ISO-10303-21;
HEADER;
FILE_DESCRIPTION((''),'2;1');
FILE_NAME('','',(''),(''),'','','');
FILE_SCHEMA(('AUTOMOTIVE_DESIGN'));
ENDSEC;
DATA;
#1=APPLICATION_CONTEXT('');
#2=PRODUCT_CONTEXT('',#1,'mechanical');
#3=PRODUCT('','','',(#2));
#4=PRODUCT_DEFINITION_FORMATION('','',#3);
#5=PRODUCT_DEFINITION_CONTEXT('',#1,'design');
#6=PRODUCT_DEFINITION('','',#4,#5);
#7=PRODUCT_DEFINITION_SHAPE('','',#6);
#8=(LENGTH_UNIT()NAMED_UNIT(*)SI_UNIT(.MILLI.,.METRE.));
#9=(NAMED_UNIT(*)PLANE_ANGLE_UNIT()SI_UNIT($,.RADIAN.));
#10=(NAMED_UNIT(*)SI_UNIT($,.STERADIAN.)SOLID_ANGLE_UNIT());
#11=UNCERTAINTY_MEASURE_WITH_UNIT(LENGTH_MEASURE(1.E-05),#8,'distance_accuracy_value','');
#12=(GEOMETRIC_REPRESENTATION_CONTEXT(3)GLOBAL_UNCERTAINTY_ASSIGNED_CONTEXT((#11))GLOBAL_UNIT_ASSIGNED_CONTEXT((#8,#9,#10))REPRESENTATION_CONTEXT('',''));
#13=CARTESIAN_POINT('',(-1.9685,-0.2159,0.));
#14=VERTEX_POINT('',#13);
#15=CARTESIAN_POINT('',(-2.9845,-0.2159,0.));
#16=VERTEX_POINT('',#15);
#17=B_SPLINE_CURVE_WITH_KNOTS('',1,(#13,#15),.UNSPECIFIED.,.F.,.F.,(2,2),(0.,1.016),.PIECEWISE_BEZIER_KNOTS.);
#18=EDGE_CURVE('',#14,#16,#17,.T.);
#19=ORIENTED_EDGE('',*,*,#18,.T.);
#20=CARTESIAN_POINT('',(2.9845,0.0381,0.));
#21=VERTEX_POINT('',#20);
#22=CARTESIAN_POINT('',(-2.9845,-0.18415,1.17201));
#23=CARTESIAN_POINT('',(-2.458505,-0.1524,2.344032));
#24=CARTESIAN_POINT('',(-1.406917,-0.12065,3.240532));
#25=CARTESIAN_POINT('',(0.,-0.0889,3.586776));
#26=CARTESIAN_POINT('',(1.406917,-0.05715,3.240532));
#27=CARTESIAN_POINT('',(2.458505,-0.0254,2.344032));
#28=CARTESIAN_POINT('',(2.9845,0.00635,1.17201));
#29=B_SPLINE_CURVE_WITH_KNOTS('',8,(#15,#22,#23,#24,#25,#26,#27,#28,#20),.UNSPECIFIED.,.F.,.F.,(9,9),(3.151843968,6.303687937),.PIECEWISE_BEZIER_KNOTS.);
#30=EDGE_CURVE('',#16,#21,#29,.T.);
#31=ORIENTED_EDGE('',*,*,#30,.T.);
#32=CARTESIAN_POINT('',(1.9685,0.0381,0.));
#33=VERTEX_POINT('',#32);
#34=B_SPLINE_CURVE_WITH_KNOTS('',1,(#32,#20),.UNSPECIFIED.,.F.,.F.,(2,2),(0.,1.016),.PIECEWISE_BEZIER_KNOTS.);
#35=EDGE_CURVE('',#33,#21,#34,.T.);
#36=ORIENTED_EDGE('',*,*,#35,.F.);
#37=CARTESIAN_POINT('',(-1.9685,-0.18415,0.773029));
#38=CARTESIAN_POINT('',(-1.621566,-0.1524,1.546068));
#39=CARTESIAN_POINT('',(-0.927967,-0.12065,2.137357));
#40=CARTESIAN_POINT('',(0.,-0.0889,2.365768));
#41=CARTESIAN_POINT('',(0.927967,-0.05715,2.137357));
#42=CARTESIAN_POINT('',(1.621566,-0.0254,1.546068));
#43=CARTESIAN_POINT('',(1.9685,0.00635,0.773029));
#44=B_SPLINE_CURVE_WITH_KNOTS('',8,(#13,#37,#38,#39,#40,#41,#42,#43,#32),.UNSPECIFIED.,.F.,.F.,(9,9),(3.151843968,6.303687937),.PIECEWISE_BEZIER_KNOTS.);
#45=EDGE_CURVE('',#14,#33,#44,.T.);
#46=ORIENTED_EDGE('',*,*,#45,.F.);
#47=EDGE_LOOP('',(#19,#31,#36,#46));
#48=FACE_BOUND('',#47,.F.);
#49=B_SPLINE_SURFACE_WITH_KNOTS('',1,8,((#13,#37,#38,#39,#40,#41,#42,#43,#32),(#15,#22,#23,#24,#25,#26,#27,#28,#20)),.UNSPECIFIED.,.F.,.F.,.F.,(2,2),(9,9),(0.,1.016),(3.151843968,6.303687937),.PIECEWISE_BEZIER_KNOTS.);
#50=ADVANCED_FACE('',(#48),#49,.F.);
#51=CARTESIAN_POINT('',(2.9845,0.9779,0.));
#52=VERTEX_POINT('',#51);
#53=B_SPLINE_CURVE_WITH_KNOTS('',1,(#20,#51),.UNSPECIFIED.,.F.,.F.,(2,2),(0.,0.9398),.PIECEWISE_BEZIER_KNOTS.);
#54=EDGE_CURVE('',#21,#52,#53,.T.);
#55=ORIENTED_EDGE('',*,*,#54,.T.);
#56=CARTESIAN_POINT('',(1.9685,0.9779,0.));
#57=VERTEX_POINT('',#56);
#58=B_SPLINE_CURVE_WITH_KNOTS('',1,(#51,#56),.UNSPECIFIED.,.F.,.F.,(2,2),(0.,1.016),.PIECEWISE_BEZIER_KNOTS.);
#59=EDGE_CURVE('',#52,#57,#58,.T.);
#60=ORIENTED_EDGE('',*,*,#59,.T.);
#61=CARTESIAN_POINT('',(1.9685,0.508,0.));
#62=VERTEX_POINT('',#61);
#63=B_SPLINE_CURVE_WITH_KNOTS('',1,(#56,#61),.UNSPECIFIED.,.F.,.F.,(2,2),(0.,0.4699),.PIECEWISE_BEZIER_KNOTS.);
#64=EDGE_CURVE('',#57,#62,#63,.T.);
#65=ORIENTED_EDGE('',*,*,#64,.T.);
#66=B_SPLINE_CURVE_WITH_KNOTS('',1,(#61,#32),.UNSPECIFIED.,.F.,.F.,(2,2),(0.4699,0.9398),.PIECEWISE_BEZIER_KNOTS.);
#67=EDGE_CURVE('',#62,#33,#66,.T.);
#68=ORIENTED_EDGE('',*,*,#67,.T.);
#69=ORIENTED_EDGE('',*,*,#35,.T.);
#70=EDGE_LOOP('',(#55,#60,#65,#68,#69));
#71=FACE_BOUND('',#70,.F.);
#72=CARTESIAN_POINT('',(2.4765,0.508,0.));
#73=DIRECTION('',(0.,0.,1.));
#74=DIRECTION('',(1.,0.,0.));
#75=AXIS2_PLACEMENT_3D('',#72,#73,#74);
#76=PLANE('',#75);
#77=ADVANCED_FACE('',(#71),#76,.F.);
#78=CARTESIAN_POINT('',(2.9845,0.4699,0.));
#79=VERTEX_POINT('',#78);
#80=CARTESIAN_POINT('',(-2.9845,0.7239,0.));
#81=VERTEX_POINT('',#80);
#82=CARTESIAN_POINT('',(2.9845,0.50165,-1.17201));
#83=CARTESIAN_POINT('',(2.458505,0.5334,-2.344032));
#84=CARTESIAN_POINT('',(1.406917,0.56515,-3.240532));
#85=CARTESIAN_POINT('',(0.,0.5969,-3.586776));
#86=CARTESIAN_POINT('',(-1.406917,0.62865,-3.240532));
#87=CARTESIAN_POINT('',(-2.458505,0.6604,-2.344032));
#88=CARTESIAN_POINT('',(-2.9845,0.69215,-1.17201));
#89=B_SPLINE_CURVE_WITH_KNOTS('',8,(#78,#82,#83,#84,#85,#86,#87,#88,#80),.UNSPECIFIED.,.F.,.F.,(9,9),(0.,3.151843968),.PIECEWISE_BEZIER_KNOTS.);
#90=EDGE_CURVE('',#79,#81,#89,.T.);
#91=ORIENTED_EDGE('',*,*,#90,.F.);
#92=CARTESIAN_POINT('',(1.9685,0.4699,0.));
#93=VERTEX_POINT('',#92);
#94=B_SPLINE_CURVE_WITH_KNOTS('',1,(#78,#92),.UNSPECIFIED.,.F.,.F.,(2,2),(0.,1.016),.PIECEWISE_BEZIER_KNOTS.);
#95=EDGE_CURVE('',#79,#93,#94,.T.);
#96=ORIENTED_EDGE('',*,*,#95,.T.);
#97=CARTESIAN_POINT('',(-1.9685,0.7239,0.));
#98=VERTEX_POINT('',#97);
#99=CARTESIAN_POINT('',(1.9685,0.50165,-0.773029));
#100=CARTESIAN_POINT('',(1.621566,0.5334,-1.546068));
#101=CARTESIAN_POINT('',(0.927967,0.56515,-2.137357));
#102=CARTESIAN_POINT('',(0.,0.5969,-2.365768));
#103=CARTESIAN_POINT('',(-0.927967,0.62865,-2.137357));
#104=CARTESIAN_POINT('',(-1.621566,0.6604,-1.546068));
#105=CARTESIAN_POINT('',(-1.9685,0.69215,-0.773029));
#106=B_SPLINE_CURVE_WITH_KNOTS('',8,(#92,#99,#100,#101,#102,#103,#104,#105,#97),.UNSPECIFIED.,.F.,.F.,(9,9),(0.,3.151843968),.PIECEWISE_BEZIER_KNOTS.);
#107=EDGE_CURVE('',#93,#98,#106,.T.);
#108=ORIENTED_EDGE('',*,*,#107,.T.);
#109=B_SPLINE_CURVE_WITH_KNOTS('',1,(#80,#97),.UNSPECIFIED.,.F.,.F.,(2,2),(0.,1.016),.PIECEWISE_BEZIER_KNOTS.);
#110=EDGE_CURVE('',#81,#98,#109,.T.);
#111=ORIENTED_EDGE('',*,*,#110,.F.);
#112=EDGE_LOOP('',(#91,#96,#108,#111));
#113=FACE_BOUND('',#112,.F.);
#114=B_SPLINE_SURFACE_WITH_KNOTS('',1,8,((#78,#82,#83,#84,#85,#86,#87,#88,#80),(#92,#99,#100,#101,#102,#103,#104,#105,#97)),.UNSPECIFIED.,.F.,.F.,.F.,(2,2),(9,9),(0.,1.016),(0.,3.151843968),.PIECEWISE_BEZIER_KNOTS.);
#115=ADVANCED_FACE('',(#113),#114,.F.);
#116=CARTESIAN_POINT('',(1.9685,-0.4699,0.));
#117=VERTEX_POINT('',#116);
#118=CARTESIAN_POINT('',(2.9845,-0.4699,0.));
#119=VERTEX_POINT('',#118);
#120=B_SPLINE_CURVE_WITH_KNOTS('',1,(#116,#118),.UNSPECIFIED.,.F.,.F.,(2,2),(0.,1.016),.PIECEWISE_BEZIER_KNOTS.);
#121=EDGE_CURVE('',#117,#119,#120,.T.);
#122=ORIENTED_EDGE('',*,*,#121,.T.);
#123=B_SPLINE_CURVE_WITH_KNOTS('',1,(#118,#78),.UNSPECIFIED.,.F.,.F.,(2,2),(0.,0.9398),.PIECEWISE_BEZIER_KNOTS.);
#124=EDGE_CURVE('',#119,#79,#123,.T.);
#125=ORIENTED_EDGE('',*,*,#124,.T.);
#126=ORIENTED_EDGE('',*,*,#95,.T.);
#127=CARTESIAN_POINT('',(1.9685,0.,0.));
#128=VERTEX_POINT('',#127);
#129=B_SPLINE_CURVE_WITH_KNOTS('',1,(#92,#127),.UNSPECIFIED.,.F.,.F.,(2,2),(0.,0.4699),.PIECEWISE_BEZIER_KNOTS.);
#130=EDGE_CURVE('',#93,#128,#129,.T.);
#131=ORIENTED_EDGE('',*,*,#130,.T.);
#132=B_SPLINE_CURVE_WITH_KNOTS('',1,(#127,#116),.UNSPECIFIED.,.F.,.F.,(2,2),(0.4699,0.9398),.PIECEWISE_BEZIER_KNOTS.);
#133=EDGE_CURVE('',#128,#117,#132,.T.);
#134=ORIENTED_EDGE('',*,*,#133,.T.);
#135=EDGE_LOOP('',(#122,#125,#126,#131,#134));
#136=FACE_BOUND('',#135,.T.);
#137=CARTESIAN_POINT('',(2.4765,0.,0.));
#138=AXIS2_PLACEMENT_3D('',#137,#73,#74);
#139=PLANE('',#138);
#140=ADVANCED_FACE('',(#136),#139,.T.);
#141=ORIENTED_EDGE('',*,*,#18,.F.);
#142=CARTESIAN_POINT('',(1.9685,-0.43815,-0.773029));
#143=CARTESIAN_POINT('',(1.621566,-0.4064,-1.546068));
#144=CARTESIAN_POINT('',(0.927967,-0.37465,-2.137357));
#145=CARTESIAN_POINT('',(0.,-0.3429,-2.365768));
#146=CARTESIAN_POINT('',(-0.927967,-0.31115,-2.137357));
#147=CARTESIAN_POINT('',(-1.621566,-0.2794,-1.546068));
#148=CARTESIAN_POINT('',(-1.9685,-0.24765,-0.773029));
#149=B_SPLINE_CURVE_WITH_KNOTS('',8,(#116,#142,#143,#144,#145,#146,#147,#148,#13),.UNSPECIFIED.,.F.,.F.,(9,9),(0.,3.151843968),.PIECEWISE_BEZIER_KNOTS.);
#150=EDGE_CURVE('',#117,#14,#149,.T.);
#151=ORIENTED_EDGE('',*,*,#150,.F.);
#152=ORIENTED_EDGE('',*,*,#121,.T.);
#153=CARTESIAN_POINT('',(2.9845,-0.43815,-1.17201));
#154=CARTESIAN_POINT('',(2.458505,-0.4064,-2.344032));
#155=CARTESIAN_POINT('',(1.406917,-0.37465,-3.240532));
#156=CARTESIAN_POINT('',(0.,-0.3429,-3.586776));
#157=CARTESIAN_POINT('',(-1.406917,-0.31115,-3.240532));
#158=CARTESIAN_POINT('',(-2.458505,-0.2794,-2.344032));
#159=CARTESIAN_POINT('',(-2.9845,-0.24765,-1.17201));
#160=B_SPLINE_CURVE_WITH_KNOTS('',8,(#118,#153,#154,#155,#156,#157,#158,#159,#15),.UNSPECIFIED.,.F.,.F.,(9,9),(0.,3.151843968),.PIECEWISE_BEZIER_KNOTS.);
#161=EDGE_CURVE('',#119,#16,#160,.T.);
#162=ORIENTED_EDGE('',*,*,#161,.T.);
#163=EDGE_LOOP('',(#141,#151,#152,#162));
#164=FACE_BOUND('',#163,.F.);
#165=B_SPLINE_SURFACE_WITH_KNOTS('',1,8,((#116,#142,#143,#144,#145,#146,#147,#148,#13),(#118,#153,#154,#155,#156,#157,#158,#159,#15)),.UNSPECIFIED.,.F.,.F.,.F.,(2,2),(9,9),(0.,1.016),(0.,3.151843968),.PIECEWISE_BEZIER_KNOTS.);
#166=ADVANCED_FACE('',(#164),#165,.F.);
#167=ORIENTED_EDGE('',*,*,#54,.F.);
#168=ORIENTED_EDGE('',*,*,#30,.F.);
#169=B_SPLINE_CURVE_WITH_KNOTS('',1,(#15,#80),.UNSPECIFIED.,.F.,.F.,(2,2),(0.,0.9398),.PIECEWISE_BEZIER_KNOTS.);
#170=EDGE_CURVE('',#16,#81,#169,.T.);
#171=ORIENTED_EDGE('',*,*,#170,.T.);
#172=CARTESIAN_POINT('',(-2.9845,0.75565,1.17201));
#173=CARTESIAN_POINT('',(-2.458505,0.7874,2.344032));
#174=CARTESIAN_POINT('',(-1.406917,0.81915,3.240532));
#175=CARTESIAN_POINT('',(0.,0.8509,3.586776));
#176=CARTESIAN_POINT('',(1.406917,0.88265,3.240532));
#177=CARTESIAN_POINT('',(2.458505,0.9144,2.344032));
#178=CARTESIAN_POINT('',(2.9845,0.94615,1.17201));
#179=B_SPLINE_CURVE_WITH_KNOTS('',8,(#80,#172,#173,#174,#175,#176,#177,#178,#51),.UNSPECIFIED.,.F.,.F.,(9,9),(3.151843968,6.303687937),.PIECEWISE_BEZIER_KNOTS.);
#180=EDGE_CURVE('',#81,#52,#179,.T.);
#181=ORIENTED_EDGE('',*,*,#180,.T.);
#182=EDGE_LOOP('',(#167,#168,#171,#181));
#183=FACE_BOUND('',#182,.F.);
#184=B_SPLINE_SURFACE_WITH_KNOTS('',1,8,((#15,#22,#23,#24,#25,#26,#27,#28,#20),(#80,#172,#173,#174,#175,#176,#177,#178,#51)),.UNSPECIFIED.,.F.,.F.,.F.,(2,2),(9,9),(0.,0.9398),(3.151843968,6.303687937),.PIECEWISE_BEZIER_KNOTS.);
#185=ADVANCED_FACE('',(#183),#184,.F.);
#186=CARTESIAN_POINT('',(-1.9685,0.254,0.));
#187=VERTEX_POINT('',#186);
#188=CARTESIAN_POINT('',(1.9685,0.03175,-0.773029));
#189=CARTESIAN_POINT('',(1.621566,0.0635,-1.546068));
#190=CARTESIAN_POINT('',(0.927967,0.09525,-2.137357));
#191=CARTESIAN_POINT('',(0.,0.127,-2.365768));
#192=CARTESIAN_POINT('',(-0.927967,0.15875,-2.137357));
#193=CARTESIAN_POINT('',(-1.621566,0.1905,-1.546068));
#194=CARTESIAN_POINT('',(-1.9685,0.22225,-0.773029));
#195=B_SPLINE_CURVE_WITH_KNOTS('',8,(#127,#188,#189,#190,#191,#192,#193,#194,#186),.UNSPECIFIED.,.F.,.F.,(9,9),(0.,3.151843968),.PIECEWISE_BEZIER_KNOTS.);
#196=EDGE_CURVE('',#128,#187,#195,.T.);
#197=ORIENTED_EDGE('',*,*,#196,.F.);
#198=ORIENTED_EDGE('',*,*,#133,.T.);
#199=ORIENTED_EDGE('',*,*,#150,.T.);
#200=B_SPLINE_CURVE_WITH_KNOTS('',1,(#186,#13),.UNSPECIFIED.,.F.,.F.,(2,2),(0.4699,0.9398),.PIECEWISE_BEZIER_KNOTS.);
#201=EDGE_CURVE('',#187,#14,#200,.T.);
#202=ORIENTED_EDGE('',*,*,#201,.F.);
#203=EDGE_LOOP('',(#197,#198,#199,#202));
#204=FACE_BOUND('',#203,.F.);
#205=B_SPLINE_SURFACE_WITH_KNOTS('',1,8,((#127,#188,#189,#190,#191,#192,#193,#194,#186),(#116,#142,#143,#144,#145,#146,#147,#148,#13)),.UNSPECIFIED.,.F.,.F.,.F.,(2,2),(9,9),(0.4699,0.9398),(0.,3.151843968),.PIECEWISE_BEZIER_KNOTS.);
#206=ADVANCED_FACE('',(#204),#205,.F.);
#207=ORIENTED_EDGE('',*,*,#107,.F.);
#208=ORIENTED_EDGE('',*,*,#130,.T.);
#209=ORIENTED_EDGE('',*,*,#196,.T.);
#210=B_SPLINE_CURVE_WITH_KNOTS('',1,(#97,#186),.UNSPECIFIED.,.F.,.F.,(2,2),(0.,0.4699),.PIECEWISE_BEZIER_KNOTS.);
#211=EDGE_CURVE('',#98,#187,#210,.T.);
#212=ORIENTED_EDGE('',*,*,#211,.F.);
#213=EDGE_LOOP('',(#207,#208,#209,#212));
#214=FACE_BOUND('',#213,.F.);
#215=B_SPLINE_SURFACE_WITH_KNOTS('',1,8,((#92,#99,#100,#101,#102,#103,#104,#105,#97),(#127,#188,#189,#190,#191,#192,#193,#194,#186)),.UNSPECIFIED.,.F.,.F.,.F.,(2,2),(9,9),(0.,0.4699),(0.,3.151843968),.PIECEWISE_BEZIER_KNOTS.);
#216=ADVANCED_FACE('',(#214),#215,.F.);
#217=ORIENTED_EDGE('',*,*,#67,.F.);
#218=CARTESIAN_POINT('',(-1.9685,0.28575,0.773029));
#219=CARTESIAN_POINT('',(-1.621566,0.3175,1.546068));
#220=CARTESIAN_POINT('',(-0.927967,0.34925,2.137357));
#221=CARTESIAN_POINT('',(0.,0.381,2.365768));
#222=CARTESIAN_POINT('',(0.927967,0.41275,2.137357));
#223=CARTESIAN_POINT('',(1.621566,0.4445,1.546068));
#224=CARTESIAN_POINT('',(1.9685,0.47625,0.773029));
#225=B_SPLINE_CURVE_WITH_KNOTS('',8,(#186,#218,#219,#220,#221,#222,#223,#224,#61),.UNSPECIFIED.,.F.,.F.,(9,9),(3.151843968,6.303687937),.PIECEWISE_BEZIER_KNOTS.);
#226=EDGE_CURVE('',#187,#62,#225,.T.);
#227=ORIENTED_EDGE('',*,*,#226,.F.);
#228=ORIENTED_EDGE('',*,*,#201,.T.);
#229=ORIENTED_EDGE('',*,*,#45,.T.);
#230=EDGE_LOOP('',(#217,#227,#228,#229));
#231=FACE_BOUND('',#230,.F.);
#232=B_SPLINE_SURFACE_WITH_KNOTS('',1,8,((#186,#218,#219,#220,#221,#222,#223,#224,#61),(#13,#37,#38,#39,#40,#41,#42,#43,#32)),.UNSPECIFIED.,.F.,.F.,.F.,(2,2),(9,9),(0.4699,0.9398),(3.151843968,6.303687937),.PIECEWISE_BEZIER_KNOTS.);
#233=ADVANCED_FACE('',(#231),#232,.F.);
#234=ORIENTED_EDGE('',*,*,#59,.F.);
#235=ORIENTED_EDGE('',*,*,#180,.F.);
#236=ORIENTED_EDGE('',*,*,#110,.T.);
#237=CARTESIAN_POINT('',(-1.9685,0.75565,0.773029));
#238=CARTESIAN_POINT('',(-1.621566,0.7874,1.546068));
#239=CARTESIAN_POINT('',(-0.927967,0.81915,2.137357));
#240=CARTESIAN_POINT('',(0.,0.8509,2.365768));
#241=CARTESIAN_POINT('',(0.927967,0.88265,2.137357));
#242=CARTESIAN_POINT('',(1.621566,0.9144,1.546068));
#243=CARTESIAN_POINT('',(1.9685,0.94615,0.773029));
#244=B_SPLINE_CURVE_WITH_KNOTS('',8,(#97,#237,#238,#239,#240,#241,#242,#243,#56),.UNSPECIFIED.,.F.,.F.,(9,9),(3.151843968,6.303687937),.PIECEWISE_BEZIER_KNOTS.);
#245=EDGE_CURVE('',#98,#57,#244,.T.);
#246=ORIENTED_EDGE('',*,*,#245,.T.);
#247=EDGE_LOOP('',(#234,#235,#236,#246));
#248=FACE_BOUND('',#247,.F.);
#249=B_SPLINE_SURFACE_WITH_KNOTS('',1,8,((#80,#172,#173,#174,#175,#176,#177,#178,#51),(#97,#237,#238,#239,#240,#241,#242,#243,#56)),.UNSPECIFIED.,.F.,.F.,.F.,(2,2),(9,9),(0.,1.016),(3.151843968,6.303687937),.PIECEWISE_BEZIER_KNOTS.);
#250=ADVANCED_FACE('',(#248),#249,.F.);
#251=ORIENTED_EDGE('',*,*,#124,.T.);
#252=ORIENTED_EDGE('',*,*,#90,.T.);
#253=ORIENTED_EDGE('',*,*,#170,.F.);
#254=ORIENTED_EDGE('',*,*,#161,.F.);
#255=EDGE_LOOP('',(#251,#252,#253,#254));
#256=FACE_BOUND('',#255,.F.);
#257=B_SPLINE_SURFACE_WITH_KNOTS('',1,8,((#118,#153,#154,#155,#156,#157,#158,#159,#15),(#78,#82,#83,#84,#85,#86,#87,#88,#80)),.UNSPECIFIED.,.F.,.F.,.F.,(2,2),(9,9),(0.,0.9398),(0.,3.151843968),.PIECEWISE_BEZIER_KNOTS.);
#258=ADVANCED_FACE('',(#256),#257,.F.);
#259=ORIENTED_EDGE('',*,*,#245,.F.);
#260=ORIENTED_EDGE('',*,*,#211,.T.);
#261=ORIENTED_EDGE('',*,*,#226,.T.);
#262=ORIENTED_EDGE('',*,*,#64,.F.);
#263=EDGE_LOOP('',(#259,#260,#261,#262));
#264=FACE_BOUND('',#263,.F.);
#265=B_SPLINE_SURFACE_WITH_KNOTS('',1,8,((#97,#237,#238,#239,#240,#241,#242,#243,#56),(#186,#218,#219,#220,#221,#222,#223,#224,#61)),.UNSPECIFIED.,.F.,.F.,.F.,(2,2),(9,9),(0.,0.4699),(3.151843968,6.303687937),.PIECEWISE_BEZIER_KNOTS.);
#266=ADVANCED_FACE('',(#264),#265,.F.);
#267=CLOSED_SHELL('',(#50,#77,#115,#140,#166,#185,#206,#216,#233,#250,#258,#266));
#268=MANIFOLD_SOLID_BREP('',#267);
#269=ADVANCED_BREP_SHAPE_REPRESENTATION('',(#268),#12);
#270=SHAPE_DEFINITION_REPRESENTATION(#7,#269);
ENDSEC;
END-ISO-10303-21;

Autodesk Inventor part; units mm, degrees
ref_plane "YZ Plane" through (0, 0, 0) normal (1, 0, 0) x (0, 1, 0)
ref_plane "XZ Plane" through (0, 0, 0) normal (0, 1, 0) x (-1, 0, 0)
ref_plane "XY Plane" through (0, 0, 0) normal (0, 0, 1) x (1, 0, 0)
sketch "Sketch1" plane through (0, 0, 0) normal (0, 0, 1) x (1, 0, 0)
  line L0 (0, 0) -> (0, 13.0773)
  line L1 (0, 0) -> (1.9685, 0)
  line L2 (2.9845, 0.4699) -> (1.9685, 0.4699)
  line L3 (1.9685, 0.4699) -> (1.9685, -0.4699)
  line L4 (1.9685, -0.4699) -> (2.9845, -0.4699)
  line L5 (2.9845, -0.4699) -> (2.9845, 0.4699)
  point P0 (2.9845, 0)
  dimension "d0" = 1.9685
  dimension "d1" = 0.9398
  dimension "d2" = 1.016
coil "Coil1" sketch "Sketch1" operation add axis through (0, 0, 0) along (0, 1, 0) pitch 0.508 turns 1 hand right
properties part number "SSR-40 DA Lock Washer" material "Nickel-Copper Alloy 400"
